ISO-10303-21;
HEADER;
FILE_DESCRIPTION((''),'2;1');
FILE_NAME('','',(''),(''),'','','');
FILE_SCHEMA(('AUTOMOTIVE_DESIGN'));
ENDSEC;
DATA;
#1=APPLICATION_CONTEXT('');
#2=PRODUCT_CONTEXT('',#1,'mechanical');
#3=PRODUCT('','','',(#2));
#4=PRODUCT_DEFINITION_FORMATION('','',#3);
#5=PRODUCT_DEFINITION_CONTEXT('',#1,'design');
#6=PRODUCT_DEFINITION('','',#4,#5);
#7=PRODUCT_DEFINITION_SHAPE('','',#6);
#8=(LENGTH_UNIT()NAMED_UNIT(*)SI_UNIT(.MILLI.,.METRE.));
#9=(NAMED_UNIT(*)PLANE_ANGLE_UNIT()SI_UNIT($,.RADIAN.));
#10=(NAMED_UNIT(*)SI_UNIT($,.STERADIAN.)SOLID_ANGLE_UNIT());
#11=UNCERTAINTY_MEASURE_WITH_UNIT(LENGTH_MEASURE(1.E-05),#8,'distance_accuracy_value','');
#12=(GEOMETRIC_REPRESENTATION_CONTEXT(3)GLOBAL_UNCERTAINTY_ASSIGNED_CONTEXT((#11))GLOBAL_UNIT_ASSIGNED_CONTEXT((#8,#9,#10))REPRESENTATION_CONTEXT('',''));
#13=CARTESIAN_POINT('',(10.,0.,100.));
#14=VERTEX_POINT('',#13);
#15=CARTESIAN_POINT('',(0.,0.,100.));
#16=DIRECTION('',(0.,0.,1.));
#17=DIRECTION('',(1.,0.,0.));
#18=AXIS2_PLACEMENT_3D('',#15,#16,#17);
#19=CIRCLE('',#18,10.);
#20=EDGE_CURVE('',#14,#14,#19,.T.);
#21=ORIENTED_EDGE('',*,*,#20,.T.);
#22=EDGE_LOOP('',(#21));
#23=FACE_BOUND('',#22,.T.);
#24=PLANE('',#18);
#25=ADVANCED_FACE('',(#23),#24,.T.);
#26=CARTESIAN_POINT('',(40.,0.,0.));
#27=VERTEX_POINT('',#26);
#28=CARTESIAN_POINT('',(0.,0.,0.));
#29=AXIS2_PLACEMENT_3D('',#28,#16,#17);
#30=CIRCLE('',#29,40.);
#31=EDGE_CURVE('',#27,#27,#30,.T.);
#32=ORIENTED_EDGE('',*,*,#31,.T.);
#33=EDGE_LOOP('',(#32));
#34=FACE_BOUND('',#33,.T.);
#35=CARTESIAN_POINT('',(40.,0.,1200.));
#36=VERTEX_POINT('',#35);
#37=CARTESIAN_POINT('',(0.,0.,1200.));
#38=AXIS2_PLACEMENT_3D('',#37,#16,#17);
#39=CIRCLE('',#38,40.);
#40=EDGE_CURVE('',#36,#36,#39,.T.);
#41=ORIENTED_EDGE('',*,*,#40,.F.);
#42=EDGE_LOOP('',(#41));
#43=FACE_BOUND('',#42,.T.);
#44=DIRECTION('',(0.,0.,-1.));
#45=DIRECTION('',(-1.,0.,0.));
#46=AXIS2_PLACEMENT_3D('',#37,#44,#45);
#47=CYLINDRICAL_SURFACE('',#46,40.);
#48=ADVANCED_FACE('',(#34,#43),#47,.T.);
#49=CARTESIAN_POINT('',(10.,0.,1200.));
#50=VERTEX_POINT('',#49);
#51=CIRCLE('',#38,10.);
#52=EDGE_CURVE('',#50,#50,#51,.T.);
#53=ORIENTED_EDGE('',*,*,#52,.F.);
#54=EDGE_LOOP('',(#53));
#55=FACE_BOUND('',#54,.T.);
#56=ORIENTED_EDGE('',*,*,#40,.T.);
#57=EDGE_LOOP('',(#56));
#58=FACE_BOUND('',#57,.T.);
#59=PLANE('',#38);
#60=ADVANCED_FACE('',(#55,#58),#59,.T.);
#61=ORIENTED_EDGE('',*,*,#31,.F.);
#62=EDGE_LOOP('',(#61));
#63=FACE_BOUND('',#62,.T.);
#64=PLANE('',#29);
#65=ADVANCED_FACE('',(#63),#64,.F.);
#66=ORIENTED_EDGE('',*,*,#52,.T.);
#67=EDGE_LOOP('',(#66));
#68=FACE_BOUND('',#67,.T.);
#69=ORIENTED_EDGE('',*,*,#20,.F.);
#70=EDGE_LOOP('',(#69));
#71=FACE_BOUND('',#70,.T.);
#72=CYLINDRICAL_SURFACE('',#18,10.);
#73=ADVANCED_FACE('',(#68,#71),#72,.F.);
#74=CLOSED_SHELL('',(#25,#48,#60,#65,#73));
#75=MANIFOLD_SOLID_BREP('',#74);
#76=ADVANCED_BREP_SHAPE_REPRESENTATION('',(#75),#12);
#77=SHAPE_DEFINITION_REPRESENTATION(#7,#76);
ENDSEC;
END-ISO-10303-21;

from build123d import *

# Parameters (mm, degrees)
SKETCH1_R           = 40
BOSS_EXTRUDE1_DEPTH = 1200
SKETCH3_R           = 10
CUT_EXTRUDE1_DEPTH  = 1100


with BuildPart() as part:
    # Sketch1 → Boss-Extrude1 (new body)
    with BuildSketch(Plane.XY):
        Circle(SKETCH1_R)
    extrude(amount=BOSS_EXTRUDE1_DEPTH)

    # Sketch3 → Cut-Extrude1 (cut)
    with BuildSketch(Plane.XY.offset(1200)):
        Circle(SKETCH3_R)
    extrude(amount=-CUT_EXTRUDE1_DEPTH, mode=Mode.SUBTRACT)


solid = part.part
